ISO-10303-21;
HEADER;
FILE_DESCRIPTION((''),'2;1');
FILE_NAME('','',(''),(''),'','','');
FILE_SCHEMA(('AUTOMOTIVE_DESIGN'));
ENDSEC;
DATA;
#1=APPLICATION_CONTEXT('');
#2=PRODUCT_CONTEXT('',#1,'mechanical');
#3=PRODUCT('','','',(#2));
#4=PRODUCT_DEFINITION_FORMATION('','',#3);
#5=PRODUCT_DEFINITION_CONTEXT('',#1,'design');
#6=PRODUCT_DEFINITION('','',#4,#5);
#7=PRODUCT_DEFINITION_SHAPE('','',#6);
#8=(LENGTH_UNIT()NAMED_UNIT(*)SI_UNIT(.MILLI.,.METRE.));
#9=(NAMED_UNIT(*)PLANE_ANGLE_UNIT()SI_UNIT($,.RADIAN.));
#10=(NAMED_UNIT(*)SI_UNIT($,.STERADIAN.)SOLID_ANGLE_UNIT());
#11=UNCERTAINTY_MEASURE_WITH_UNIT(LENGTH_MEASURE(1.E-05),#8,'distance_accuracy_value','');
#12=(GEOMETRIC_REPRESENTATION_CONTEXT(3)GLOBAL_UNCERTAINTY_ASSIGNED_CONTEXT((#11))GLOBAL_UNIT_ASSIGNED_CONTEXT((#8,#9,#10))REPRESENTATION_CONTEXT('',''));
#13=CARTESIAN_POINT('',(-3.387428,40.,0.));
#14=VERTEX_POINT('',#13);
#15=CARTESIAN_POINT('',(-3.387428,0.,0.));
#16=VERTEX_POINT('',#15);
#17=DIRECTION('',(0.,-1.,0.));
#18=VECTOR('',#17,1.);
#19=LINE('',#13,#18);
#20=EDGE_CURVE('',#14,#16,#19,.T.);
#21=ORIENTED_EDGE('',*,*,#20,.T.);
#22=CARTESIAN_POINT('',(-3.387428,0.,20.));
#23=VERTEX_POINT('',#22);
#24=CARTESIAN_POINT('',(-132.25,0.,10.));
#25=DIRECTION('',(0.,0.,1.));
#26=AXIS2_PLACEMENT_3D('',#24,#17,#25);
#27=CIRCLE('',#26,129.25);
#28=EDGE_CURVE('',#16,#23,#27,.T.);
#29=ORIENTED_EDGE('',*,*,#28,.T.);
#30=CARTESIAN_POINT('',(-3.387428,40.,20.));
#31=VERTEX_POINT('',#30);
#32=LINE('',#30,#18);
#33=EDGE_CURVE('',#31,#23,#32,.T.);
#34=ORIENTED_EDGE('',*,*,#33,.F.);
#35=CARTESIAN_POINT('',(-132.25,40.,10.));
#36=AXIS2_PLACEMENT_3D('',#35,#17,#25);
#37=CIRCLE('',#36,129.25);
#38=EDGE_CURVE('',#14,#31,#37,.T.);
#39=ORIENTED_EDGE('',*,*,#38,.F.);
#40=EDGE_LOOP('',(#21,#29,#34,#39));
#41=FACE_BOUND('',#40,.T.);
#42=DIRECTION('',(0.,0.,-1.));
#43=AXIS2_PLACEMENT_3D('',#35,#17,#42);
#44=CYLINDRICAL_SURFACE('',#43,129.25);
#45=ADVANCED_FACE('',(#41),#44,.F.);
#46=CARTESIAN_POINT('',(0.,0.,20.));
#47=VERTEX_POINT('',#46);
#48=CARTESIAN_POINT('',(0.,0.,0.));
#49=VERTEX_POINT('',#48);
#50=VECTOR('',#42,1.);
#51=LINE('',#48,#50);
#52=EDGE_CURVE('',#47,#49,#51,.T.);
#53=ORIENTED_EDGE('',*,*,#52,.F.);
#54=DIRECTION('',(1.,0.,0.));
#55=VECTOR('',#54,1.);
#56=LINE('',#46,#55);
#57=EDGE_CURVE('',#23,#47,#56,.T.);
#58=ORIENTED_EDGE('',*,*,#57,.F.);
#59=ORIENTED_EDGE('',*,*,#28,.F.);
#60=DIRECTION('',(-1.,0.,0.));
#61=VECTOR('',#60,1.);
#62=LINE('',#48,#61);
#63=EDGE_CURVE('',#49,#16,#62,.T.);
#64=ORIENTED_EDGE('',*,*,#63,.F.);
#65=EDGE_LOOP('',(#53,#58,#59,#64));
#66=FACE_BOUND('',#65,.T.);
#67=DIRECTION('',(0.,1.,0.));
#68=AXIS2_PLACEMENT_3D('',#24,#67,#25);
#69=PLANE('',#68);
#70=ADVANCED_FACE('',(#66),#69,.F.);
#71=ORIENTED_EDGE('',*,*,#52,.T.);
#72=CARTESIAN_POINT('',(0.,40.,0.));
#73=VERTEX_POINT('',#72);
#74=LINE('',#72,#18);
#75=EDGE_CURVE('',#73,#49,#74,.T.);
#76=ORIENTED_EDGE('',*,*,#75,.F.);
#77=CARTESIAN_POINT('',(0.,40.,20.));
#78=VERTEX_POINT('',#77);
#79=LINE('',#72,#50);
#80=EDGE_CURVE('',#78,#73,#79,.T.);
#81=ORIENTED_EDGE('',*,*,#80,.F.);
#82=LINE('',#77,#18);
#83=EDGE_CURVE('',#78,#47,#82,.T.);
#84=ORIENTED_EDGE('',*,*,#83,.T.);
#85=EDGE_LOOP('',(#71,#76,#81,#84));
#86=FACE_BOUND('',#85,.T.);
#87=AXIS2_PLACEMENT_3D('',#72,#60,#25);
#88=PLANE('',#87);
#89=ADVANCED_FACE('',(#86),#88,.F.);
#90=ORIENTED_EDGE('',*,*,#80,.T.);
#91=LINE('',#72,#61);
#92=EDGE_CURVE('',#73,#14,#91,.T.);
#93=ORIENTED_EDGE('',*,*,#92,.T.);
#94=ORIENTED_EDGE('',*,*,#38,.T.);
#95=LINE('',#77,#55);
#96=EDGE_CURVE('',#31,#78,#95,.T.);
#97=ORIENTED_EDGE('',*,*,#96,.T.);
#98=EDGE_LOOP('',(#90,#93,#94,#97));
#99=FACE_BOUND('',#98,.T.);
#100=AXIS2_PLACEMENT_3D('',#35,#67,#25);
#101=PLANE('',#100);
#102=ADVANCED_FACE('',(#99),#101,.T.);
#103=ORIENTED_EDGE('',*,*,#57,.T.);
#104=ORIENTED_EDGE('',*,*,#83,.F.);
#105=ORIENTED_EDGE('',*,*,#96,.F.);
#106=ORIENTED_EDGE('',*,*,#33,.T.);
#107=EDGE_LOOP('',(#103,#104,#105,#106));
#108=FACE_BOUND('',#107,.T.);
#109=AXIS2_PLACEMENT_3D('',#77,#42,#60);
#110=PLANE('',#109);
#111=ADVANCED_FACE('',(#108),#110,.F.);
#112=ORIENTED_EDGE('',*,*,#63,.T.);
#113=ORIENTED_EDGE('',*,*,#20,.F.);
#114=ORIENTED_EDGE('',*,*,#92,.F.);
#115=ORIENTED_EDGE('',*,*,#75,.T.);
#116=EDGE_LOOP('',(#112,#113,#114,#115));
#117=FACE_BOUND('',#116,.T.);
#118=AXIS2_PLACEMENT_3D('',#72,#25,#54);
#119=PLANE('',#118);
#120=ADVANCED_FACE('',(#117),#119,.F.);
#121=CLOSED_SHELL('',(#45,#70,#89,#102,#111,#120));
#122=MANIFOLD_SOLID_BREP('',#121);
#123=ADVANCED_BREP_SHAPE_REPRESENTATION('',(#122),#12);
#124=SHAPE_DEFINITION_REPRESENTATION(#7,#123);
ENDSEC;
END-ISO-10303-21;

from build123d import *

# Parameters (mm, degrees)
EXTRUDE_1_DEPTH = 40


with BuildPart() as part:
    # 草图1 → 凸台-拉伸1 (new body)
    with BuildSketch(Plane(origin=(0, 0, 0), x_dir=(1, 0, 0), z_dir=(0, 1, 0))):
        with BuildLine():
            Line((0, 0), (0, -20))
            Line((0, -20), (-3.387427854, -20))
            ThreePointArc((-3.387427854, -20), (-3, -10), (-3.387427854, 0))
            Line((-3.387427854, 0), (0, 0))
        make_face()
    extrude(amount=EXTRUDE_1_DEPTH)


solid = part.part
